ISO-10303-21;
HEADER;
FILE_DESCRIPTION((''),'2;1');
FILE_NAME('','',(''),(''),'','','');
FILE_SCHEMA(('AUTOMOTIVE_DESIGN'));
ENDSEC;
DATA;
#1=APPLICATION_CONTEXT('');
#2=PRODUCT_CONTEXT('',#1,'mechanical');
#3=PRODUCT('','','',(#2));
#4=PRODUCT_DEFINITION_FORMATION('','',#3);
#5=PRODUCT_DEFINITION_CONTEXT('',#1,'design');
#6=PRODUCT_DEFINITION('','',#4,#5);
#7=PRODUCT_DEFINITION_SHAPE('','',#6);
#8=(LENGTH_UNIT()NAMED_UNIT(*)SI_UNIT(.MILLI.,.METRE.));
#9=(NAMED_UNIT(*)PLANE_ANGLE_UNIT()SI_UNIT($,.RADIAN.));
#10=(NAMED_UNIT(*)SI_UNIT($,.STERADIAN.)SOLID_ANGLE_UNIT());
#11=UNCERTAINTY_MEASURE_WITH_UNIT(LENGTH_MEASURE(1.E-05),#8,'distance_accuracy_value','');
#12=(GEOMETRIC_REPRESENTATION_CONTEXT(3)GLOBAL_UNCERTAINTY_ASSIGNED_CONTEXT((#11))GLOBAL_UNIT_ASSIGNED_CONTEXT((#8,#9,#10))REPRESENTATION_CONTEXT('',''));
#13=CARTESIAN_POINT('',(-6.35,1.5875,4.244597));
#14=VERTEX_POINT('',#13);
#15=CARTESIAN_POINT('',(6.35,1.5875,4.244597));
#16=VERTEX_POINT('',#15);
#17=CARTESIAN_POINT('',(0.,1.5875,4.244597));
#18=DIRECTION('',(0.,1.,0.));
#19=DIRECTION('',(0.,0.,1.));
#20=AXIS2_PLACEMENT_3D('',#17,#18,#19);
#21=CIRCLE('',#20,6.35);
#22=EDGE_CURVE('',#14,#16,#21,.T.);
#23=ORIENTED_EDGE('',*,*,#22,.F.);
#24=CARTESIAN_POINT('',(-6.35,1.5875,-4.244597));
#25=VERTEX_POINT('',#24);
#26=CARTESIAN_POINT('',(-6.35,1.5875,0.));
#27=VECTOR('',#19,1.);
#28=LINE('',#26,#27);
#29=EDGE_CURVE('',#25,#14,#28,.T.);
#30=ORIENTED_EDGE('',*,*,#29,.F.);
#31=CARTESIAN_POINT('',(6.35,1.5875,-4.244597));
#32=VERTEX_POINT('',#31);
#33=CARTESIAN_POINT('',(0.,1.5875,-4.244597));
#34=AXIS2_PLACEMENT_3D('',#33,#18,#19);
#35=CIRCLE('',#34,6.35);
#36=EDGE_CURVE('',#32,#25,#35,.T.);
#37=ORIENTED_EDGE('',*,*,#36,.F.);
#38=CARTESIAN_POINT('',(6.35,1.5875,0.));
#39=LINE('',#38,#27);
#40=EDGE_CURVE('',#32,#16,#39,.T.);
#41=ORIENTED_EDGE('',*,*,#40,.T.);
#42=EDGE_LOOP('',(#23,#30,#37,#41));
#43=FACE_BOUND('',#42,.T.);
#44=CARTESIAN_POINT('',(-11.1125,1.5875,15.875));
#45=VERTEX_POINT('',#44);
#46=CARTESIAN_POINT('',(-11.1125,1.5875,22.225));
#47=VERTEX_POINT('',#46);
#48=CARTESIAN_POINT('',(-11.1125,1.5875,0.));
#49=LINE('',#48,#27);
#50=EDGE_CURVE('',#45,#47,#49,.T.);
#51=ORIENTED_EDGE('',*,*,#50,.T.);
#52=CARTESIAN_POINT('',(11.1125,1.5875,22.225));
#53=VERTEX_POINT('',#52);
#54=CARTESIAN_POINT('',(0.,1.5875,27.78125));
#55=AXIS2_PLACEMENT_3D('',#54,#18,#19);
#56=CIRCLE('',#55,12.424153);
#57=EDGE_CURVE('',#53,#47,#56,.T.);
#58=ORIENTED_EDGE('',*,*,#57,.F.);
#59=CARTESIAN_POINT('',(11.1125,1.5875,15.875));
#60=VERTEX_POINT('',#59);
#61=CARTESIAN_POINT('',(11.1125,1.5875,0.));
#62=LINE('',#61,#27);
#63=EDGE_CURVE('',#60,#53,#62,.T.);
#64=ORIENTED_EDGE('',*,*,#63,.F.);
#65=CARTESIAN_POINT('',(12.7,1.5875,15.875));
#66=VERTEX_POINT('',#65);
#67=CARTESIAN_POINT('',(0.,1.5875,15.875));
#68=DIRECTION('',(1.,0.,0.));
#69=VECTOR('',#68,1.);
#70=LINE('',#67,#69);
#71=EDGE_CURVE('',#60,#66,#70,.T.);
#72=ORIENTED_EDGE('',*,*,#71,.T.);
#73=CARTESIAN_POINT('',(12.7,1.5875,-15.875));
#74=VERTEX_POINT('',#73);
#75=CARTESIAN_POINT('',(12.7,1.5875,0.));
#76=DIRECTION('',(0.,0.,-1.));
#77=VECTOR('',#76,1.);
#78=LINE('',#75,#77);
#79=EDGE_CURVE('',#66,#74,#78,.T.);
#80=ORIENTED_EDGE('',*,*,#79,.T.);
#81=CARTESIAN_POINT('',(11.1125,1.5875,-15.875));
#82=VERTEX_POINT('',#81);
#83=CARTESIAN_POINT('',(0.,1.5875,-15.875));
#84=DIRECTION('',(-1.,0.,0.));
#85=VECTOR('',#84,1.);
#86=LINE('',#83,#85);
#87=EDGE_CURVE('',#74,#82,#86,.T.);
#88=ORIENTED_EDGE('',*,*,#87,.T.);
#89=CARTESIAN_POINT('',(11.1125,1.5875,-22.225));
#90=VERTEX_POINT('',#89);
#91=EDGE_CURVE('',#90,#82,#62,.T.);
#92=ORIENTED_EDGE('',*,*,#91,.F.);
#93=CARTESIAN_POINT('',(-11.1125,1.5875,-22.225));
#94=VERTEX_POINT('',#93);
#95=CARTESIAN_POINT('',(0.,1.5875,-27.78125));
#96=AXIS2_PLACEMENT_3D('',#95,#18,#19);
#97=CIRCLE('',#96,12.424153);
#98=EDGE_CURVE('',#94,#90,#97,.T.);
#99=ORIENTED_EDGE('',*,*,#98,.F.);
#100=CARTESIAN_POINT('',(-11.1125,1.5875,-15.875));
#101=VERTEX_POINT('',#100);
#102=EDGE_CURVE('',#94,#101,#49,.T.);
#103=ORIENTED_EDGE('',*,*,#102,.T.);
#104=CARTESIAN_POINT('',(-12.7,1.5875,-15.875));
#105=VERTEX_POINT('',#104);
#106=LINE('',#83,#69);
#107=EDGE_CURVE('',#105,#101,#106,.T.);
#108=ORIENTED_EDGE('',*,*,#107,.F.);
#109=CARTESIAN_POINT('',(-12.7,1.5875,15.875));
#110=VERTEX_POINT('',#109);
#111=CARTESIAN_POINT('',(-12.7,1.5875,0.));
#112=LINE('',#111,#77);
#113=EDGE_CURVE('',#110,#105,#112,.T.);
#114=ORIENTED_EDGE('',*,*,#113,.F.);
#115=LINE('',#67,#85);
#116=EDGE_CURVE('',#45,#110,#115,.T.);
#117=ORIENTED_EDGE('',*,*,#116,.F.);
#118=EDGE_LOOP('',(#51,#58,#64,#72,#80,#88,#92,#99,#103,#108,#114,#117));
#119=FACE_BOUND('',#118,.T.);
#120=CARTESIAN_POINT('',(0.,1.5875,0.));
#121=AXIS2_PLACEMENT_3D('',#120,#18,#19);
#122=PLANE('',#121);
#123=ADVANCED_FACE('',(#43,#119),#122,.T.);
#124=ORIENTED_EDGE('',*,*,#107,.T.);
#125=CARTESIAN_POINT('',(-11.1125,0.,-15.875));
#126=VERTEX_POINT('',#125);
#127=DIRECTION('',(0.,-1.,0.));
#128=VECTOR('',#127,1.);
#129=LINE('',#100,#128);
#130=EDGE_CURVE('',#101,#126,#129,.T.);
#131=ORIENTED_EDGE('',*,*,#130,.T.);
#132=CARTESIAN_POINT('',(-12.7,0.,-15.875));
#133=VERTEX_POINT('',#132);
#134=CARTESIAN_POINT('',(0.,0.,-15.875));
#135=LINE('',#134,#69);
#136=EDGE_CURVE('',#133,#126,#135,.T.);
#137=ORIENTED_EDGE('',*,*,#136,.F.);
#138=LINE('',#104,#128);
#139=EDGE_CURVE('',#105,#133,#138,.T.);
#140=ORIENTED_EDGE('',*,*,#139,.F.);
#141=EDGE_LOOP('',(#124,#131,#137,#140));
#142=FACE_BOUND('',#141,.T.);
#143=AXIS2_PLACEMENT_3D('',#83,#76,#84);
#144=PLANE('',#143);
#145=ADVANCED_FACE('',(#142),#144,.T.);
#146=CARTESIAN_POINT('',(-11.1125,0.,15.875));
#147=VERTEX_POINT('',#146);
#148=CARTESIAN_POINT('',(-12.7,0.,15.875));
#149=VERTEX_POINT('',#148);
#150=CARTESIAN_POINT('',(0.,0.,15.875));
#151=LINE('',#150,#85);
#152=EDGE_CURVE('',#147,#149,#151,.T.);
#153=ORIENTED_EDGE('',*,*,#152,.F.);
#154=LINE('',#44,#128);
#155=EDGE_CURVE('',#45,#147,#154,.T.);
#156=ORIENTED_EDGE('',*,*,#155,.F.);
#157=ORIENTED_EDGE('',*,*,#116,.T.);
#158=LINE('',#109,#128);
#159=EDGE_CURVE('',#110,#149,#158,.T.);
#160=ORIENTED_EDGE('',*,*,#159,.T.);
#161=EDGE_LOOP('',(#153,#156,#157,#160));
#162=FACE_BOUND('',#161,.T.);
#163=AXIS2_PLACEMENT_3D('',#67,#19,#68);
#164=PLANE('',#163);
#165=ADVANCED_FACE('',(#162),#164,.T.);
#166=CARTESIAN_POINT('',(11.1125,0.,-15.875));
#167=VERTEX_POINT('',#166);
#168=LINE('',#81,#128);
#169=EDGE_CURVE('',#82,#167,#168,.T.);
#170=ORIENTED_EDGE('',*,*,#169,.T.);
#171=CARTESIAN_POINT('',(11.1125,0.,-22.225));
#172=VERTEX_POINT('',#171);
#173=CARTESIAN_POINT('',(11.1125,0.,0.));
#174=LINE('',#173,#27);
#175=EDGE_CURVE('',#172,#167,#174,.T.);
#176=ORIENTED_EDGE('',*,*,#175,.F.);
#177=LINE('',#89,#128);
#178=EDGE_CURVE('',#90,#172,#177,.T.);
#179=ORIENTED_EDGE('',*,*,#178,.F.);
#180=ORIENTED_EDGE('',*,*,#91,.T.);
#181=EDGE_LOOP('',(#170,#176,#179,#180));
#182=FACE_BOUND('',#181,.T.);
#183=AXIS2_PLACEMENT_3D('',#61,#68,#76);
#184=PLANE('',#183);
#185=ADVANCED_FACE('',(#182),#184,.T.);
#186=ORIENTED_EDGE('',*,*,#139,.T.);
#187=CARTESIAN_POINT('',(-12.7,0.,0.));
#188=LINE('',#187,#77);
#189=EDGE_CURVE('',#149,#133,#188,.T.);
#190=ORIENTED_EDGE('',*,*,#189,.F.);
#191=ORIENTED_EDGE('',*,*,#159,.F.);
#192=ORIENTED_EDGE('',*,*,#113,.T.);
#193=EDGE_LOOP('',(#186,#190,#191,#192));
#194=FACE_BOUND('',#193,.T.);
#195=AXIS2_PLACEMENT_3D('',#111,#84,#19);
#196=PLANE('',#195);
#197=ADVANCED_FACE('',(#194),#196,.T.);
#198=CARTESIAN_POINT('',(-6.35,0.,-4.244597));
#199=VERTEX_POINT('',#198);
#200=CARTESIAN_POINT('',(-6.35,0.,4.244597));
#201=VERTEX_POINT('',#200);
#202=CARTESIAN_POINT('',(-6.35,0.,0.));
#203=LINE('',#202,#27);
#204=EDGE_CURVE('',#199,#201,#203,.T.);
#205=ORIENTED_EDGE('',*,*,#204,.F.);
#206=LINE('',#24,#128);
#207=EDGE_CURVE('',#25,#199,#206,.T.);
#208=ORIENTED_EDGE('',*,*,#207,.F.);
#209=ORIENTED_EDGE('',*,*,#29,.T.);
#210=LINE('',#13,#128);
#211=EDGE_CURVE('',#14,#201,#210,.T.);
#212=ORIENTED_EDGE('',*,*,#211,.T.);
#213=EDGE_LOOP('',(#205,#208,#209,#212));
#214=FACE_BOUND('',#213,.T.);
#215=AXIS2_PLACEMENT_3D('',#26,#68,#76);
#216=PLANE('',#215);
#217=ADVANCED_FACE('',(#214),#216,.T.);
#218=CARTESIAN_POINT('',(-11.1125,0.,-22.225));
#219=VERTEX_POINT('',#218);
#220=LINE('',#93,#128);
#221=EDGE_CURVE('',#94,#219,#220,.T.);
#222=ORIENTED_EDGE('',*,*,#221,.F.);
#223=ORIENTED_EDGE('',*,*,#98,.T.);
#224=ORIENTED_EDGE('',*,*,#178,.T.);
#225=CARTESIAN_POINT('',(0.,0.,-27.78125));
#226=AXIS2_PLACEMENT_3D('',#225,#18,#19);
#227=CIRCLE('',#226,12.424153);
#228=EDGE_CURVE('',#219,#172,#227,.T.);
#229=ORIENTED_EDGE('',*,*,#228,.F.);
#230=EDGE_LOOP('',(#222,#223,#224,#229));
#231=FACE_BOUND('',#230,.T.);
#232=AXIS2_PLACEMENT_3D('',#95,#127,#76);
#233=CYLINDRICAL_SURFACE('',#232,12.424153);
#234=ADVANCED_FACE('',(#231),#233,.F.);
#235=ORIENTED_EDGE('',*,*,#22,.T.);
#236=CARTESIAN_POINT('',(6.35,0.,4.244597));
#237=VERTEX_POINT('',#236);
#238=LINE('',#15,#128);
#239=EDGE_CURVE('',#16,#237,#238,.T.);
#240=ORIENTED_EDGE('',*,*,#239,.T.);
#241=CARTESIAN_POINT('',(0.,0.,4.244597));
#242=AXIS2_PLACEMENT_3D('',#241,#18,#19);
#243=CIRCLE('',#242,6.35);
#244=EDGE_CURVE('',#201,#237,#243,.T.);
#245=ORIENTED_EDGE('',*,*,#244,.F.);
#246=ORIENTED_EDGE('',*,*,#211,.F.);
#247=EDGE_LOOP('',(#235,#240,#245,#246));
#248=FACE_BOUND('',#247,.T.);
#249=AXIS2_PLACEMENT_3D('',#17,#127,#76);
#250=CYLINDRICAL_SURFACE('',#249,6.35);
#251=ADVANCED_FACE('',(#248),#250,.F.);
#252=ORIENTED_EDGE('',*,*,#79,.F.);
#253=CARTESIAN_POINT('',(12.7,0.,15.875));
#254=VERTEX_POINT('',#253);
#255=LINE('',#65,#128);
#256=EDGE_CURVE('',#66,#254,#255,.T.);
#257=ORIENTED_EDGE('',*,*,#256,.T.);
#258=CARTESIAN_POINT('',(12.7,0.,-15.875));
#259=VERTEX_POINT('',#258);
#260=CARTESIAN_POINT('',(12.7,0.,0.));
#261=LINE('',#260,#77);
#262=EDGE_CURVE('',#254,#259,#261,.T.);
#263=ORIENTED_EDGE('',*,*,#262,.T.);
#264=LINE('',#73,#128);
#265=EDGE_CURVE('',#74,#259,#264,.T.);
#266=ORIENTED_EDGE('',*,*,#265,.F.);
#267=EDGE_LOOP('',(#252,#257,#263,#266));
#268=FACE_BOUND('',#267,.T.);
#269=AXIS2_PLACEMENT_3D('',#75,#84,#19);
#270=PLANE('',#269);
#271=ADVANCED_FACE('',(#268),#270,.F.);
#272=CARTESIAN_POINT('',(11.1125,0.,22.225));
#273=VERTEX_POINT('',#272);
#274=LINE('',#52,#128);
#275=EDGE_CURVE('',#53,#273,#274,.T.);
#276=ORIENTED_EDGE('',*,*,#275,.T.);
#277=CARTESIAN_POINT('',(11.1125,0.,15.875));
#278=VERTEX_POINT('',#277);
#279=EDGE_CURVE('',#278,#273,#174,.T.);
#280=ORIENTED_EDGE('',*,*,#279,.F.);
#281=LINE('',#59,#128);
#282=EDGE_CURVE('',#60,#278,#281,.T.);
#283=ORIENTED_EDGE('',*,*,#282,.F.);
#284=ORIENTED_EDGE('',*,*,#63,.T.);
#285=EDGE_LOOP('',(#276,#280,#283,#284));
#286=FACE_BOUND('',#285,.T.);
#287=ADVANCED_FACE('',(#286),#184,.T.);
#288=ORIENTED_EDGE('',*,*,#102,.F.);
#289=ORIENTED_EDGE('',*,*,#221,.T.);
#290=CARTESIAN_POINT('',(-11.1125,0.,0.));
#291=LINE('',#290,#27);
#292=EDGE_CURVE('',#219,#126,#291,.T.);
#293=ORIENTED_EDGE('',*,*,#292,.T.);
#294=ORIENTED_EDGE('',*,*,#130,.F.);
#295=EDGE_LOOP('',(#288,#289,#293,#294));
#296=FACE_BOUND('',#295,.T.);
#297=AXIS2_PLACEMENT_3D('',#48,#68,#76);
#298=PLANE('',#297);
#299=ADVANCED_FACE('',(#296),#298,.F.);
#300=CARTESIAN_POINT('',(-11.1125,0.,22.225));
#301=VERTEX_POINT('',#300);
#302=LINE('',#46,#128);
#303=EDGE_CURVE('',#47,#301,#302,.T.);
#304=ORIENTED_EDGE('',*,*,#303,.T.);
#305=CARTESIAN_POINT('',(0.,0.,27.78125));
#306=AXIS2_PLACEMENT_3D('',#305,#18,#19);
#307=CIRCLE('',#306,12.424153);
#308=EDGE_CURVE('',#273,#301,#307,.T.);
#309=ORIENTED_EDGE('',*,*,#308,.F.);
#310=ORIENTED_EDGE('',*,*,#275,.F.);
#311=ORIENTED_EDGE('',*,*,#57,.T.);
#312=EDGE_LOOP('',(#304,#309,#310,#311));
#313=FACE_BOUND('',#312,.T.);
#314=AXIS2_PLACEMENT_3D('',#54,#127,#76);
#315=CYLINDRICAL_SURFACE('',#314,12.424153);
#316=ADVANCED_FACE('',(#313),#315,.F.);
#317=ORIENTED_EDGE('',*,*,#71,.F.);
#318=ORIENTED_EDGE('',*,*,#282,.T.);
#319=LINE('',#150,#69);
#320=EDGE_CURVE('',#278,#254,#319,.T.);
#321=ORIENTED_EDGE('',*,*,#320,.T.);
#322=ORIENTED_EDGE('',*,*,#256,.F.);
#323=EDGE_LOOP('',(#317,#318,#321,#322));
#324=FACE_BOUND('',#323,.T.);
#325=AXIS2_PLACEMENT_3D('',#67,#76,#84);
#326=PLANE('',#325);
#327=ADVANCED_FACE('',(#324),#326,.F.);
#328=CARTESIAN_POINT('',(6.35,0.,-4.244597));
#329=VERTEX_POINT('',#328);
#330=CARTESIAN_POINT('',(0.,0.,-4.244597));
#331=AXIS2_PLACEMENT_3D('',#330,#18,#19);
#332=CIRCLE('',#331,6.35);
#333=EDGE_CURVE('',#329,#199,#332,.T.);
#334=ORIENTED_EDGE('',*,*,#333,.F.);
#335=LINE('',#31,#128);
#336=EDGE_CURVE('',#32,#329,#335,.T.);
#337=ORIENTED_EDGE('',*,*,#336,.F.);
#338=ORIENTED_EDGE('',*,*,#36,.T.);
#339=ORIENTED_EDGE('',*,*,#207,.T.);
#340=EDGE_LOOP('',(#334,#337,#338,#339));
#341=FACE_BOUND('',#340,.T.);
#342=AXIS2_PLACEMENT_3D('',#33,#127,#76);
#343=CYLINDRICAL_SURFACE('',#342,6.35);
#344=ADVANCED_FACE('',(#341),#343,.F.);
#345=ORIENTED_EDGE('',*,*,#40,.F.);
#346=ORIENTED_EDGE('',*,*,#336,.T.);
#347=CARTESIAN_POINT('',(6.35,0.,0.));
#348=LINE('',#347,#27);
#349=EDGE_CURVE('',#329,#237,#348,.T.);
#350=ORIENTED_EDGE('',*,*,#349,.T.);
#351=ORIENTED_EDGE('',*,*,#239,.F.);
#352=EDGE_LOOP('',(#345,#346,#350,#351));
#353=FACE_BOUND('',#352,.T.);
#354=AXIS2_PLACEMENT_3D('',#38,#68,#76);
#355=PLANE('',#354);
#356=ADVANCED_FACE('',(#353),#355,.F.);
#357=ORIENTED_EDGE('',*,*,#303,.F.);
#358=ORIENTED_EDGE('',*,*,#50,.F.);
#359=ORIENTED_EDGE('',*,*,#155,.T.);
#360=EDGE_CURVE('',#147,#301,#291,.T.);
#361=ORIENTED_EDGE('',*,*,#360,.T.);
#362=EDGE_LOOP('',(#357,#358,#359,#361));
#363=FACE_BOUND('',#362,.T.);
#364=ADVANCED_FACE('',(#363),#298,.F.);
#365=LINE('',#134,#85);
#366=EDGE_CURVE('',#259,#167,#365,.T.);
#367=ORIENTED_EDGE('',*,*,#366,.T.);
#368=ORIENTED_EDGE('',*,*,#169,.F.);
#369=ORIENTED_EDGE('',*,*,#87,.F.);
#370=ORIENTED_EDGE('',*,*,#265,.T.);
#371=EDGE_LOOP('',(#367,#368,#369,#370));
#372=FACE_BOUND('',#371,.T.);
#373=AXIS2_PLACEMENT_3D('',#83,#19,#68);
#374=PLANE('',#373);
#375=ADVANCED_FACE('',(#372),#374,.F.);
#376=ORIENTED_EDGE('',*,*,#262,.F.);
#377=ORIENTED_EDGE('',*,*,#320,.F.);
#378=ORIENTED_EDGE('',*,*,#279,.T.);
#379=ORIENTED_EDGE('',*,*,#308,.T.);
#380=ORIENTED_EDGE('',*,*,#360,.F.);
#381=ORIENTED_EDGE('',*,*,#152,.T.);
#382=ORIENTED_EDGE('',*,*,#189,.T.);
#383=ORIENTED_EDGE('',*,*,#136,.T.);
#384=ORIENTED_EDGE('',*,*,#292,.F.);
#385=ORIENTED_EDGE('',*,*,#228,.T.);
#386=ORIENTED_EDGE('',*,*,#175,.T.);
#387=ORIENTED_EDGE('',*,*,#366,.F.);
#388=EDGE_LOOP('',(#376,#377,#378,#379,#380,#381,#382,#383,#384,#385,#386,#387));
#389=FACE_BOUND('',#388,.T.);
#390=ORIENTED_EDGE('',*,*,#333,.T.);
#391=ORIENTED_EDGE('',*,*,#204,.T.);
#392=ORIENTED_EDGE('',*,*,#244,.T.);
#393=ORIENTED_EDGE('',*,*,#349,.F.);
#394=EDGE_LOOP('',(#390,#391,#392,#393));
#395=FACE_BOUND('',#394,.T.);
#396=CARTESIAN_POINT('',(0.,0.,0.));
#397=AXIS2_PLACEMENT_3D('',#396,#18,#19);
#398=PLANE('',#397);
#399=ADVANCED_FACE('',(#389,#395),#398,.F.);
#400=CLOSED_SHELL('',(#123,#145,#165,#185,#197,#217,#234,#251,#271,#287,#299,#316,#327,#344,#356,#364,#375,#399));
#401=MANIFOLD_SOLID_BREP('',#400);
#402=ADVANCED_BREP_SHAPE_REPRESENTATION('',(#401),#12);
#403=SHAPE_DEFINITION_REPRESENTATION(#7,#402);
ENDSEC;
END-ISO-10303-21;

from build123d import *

# Parameters (mm, degrees)
SKETCH1_W           = 1.5875
SKETCH1_H           = 31.75
BOSS_EXTRUDE1_DEPTH = 1.5875


with BuildPart() as part:
    # Sketch1 → Boss-Extrude1 (new body)
    # profile 1 of 3: a face of its own
    with BuildSketch(Plane(origin=(0, 0, 0), x_dir=(1, 0, 0), z_dir=(0, 1, 0))):
        with BuildLine():
            Line((11.1125, -22.225), (11.1125, -15.875))
            Line((11.1125, -15.875), (11.1125, 15.875))
            Line((11.1125, 15.875), (11.1125, 22.225))
            ThreePointArc((11.1125, 22.225), (0, 15.3570973), (-11.1125, 22.225))
            Line((-11.1125, 22.225), (-11.1125, 15.875))
            Line((-11.1125, 15.875), (-11.1125, -15.875))
            Line((-11.1125, -15.875), (-11.1125, -22.225))
            ThreePointArc((-11.1125, -22.225), (0, -15.3570973), (11.1125, -22.225))
        make_face()
        with BuildLine():
            ThreePointArc((-6.35, 4.2445973), (0, 10.5945973), (6.35, 4.2445973))
            Line((6.35, 4.2445973), (6.35, -4.2445973))
            ThreePointArc((6.35, -4.2445973), (0, -10.5945973), (-6.35, -4.2445973))
            Line((-6.35, -4.2445973), (-6.35, 4.2445973))
        make_face(mode=Mode.SUBTRACT)
    # profile 2 of 3: a face of its own
    with BuildSketch(Plane(origin=(0, 0, 0), x_dir=(1, 0, 0), z_dir=(0, 1, 0))):
        with Locations((-11.90625, 0)):
            Rectangle(SKETCH1_W, SKETCH1_H)
    # profile 3 of 3: a face of its own
    with BuildSketch(Plane(origin=(0, 0, 0), x_dir=(1, 0, 0), z_dir=(0, 1, 0))):
        with Locations((11.90625, 0)):
            Rectangle(SKETCH1_W, SKETCH1_H)
    extrude(amount=BOSS_EXTRUDE1_DEPTH)


solid = part.part
